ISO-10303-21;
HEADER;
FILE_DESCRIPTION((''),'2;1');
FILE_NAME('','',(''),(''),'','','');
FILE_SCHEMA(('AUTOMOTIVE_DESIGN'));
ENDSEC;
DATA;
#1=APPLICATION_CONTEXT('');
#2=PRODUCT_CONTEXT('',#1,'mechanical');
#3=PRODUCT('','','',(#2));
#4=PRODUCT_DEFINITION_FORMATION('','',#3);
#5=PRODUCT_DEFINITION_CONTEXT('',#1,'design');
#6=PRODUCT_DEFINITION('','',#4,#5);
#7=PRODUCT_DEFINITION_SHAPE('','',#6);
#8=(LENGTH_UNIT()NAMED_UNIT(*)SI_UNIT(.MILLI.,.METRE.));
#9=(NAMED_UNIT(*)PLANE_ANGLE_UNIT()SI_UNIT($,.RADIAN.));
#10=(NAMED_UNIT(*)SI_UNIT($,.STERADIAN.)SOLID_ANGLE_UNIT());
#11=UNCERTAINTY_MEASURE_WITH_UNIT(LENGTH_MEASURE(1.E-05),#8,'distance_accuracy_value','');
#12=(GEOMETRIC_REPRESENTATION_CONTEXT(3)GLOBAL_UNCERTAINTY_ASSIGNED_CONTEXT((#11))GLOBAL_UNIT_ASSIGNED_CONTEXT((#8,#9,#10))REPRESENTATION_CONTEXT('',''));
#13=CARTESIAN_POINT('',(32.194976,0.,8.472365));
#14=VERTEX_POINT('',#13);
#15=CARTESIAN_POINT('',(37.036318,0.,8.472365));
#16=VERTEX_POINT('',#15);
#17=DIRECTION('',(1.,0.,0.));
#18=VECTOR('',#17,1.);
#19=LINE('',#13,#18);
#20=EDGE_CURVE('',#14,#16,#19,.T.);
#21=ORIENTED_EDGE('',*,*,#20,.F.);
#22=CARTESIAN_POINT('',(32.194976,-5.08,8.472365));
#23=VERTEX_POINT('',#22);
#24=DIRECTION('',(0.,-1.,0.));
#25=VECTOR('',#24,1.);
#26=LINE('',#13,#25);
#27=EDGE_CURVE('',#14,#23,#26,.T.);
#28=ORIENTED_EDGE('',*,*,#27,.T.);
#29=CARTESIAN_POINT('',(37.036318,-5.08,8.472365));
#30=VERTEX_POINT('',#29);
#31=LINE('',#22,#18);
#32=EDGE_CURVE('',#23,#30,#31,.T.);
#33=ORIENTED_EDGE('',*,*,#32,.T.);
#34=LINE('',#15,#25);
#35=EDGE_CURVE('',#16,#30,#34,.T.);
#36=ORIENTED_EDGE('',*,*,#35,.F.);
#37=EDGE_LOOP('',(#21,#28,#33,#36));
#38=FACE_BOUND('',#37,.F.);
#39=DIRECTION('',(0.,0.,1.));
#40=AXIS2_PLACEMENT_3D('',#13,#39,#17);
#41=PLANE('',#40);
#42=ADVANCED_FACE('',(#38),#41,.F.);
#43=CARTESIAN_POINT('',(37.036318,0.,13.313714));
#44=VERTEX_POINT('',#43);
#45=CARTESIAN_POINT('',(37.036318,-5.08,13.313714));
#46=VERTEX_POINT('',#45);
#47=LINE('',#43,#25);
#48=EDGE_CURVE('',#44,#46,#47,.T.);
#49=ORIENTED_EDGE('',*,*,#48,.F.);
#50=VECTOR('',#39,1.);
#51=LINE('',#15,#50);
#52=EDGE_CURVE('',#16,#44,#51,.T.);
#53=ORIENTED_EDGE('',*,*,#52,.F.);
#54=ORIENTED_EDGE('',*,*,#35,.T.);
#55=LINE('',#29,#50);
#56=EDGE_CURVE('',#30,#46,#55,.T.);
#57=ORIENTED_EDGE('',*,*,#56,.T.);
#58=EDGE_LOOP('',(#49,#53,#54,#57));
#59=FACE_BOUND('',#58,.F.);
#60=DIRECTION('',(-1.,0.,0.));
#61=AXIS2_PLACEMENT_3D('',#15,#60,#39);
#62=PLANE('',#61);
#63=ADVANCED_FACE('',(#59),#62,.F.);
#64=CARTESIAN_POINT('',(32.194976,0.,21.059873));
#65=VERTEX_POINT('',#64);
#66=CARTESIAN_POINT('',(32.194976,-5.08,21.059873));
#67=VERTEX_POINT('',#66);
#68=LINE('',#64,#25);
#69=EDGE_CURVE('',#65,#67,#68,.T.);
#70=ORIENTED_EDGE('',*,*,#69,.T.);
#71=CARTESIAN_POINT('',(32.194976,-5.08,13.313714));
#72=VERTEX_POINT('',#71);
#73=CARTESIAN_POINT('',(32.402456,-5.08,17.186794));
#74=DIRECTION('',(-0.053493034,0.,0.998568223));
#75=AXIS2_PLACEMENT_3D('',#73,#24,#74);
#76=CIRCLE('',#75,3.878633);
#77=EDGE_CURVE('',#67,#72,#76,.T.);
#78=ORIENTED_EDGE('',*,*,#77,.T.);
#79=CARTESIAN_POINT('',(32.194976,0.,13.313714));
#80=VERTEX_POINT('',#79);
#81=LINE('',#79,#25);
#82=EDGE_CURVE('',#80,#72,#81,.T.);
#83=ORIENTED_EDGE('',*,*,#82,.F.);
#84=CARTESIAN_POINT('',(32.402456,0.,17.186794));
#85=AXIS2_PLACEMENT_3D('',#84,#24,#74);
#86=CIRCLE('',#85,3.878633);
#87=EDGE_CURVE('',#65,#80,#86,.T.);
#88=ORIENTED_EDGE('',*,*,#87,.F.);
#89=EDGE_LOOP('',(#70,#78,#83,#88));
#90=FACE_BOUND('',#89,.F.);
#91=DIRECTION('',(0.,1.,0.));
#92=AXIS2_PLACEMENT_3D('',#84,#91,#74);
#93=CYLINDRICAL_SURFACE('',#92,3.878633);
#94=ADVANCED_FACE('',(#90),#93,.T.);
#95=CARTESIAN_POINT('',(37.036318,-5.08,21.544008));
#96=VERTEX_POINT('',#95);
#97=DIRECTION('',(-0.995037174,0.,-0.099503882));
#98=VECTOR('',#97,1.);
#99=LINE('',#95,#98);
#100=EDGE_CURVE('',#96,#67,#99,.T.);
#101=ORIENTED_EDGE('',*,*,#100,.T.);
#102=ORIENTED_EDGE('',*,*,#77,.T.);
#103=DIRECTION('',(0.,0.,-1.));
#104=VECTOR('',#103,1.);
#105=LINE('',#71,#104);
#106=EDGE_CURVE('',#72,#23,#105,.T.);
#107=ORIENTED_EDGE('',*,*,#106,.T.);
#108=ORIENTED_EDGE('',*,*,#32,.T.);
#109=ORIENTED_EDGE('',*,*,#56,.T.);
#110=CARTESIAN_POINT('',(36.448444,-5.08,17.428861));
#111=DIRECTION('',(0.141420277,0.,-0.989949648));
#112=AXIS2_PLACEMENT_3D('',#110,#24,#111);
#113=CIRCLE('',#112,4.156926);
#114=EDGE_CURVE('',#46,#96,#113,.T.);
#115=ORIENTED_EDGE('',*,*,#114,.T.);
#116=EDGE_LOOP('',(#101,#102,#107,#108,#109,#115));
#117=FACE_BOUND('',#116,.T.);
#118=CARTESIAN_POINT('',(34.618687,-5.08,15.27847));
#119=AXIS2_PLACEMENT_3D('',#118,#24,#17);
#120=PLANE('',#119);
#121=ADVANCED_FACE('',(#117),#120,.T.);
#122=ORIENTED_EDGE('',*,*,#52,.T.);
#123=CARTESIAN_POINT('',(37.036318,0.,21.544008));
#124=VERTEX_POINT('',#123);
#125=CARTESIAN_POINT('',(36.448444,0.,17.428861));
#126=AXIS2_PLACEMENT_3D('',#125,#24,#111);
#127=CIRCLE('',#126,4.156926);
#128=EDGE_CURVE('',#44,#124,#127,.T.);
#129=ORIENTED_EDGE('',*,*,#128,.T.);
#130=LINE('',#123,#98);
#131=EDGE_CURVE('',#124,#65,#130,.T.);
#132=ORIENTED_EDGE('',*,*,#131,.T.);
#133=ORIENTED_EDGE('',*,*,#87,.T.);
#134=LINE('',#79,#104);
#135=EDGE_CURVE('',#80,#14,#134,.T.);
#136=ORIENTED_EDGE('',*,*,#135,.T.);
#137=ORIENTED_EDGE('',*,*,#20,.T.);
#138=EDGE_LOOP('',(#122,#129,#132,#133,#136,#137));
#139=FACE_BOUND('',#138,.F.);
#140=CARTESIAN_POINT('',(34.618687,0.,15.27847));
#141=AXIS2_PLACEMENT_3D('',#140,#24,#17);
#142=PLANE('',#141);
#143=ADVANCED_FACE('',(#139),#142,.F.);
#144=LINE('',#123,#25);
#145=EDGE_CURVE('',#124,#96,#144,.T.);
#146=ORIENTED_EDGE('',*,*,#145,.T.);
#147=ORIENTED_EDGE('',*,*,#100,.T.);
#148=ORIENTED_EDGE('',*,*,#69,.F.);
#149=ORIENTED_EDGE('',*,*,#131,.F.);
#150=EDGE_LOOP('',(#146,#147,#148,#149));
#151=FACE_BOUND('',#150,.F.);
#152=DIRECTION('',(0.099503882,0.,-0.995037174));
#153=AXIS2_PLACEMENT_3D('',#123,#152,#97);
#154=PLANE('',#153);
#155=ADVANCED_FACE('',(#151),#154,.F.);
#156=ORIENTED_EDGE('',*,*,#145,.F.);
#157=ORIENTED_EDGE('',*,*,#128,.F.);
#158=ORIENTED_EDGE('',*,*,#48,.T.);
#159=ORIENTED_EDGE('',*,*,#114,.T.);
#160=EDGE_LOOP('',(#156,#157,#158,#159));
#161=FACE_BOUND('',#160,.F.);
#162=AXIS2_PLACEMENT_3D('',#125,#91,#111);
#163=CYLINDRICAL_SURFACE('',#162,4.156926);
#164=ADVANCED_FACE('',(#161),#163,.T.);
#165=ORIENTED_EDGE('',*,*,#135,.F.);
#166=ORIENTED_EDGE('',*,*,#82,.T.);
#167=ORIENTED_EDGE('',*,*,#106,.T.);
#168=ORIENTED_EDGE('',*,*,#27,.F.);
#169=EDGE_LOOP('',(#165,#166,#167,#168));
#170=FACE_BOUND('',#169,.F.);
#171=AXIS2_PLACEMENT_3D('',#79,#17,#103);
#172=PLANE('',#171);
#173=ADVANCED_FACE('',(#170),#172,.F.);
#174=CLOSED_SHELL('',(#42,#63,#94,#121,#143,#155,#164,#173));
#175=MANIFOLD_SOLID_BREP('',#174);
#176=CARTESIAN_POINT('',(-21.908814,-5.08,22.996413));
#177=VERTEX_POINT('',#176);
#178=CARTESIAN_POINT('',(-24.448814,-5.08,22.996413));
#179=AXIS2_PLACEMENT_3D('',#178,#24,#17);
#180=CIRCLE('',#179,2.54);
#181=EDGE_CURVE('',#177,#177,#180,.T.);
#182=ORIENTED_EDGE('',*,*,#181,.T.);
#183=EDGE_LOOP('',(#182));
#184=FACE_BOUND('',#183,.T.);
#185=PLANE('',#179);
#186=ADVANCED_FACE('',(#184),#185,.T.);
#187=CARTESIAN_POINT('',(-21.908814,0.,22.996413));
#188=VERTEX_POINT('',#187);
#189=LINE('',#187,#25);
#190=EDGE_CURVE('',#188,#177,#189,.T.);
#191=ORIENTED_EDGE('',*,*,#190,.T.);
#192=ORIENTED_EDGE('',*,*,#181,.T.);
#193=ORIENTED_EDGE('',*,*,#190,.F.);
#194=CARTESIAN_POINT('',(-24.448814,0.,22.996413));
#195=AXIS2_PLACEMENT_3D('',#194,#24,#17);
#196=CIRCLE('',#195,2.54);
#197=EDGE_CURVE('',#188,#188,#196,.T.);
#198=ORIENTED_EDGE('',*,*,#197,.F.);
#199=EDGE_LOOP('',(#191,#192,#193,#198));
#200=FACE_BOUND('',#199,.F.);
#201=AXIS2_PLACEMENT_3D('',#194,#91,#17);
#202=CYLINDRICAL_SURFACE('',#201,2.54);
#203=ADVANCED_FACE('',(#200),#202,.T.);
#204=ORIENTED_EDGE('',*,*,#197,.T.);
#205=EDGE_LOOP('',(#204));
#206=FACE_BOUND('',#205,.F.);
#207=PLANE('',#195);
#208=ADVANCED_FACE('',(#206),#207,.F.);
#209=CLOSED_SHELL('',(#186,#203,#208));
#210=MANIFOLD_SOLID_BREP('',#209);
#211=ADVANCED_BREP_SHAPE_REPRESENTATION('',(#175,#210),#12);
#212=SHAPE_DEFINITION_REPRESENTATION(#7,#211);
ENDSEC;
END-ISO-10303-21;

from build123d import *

# Parameters (mm, degrees)
F0_R     = 2.54
F1_DEPTH = 5.08
F3_DEPTH = 5.08


with BuildPart() as f1:
    # F0 (on Front) → F1 (new body)
    with BuildSketch(Plane.XZ):
        with Locations((-24.448814, 22.996413)):
            Circle(F0_R)
    extrude(amount=F1_DEPTH)


with BuildPart() as f3:
    # F2 (on Front) → F3 (new body)
    with BuildSketch(Plane.XZ):
        with BuildLine():
            Line((37.036318, 8.472365), (37.036318, 13.313714))
            ThreePointArc((37.036318, 13.313714), (40.60537, 17.428861), (37.036318, 21.544008))
            Line((37.036318, 21.544008), (32.194976, 21.059873))
            ThreePointArc((32.194976, 21.059873), (28.523823, 17.186793), (32.194976, 13.313714))
            Line((32.194976, 13.313714), (32.194976, 8.472365))
            Line((32.194976, 8.472365), (37.036318, 8.472365))
        make_face()
    extrude(amount=F3_DEPTH)


solid = Compound([f1.part, f3.part])
